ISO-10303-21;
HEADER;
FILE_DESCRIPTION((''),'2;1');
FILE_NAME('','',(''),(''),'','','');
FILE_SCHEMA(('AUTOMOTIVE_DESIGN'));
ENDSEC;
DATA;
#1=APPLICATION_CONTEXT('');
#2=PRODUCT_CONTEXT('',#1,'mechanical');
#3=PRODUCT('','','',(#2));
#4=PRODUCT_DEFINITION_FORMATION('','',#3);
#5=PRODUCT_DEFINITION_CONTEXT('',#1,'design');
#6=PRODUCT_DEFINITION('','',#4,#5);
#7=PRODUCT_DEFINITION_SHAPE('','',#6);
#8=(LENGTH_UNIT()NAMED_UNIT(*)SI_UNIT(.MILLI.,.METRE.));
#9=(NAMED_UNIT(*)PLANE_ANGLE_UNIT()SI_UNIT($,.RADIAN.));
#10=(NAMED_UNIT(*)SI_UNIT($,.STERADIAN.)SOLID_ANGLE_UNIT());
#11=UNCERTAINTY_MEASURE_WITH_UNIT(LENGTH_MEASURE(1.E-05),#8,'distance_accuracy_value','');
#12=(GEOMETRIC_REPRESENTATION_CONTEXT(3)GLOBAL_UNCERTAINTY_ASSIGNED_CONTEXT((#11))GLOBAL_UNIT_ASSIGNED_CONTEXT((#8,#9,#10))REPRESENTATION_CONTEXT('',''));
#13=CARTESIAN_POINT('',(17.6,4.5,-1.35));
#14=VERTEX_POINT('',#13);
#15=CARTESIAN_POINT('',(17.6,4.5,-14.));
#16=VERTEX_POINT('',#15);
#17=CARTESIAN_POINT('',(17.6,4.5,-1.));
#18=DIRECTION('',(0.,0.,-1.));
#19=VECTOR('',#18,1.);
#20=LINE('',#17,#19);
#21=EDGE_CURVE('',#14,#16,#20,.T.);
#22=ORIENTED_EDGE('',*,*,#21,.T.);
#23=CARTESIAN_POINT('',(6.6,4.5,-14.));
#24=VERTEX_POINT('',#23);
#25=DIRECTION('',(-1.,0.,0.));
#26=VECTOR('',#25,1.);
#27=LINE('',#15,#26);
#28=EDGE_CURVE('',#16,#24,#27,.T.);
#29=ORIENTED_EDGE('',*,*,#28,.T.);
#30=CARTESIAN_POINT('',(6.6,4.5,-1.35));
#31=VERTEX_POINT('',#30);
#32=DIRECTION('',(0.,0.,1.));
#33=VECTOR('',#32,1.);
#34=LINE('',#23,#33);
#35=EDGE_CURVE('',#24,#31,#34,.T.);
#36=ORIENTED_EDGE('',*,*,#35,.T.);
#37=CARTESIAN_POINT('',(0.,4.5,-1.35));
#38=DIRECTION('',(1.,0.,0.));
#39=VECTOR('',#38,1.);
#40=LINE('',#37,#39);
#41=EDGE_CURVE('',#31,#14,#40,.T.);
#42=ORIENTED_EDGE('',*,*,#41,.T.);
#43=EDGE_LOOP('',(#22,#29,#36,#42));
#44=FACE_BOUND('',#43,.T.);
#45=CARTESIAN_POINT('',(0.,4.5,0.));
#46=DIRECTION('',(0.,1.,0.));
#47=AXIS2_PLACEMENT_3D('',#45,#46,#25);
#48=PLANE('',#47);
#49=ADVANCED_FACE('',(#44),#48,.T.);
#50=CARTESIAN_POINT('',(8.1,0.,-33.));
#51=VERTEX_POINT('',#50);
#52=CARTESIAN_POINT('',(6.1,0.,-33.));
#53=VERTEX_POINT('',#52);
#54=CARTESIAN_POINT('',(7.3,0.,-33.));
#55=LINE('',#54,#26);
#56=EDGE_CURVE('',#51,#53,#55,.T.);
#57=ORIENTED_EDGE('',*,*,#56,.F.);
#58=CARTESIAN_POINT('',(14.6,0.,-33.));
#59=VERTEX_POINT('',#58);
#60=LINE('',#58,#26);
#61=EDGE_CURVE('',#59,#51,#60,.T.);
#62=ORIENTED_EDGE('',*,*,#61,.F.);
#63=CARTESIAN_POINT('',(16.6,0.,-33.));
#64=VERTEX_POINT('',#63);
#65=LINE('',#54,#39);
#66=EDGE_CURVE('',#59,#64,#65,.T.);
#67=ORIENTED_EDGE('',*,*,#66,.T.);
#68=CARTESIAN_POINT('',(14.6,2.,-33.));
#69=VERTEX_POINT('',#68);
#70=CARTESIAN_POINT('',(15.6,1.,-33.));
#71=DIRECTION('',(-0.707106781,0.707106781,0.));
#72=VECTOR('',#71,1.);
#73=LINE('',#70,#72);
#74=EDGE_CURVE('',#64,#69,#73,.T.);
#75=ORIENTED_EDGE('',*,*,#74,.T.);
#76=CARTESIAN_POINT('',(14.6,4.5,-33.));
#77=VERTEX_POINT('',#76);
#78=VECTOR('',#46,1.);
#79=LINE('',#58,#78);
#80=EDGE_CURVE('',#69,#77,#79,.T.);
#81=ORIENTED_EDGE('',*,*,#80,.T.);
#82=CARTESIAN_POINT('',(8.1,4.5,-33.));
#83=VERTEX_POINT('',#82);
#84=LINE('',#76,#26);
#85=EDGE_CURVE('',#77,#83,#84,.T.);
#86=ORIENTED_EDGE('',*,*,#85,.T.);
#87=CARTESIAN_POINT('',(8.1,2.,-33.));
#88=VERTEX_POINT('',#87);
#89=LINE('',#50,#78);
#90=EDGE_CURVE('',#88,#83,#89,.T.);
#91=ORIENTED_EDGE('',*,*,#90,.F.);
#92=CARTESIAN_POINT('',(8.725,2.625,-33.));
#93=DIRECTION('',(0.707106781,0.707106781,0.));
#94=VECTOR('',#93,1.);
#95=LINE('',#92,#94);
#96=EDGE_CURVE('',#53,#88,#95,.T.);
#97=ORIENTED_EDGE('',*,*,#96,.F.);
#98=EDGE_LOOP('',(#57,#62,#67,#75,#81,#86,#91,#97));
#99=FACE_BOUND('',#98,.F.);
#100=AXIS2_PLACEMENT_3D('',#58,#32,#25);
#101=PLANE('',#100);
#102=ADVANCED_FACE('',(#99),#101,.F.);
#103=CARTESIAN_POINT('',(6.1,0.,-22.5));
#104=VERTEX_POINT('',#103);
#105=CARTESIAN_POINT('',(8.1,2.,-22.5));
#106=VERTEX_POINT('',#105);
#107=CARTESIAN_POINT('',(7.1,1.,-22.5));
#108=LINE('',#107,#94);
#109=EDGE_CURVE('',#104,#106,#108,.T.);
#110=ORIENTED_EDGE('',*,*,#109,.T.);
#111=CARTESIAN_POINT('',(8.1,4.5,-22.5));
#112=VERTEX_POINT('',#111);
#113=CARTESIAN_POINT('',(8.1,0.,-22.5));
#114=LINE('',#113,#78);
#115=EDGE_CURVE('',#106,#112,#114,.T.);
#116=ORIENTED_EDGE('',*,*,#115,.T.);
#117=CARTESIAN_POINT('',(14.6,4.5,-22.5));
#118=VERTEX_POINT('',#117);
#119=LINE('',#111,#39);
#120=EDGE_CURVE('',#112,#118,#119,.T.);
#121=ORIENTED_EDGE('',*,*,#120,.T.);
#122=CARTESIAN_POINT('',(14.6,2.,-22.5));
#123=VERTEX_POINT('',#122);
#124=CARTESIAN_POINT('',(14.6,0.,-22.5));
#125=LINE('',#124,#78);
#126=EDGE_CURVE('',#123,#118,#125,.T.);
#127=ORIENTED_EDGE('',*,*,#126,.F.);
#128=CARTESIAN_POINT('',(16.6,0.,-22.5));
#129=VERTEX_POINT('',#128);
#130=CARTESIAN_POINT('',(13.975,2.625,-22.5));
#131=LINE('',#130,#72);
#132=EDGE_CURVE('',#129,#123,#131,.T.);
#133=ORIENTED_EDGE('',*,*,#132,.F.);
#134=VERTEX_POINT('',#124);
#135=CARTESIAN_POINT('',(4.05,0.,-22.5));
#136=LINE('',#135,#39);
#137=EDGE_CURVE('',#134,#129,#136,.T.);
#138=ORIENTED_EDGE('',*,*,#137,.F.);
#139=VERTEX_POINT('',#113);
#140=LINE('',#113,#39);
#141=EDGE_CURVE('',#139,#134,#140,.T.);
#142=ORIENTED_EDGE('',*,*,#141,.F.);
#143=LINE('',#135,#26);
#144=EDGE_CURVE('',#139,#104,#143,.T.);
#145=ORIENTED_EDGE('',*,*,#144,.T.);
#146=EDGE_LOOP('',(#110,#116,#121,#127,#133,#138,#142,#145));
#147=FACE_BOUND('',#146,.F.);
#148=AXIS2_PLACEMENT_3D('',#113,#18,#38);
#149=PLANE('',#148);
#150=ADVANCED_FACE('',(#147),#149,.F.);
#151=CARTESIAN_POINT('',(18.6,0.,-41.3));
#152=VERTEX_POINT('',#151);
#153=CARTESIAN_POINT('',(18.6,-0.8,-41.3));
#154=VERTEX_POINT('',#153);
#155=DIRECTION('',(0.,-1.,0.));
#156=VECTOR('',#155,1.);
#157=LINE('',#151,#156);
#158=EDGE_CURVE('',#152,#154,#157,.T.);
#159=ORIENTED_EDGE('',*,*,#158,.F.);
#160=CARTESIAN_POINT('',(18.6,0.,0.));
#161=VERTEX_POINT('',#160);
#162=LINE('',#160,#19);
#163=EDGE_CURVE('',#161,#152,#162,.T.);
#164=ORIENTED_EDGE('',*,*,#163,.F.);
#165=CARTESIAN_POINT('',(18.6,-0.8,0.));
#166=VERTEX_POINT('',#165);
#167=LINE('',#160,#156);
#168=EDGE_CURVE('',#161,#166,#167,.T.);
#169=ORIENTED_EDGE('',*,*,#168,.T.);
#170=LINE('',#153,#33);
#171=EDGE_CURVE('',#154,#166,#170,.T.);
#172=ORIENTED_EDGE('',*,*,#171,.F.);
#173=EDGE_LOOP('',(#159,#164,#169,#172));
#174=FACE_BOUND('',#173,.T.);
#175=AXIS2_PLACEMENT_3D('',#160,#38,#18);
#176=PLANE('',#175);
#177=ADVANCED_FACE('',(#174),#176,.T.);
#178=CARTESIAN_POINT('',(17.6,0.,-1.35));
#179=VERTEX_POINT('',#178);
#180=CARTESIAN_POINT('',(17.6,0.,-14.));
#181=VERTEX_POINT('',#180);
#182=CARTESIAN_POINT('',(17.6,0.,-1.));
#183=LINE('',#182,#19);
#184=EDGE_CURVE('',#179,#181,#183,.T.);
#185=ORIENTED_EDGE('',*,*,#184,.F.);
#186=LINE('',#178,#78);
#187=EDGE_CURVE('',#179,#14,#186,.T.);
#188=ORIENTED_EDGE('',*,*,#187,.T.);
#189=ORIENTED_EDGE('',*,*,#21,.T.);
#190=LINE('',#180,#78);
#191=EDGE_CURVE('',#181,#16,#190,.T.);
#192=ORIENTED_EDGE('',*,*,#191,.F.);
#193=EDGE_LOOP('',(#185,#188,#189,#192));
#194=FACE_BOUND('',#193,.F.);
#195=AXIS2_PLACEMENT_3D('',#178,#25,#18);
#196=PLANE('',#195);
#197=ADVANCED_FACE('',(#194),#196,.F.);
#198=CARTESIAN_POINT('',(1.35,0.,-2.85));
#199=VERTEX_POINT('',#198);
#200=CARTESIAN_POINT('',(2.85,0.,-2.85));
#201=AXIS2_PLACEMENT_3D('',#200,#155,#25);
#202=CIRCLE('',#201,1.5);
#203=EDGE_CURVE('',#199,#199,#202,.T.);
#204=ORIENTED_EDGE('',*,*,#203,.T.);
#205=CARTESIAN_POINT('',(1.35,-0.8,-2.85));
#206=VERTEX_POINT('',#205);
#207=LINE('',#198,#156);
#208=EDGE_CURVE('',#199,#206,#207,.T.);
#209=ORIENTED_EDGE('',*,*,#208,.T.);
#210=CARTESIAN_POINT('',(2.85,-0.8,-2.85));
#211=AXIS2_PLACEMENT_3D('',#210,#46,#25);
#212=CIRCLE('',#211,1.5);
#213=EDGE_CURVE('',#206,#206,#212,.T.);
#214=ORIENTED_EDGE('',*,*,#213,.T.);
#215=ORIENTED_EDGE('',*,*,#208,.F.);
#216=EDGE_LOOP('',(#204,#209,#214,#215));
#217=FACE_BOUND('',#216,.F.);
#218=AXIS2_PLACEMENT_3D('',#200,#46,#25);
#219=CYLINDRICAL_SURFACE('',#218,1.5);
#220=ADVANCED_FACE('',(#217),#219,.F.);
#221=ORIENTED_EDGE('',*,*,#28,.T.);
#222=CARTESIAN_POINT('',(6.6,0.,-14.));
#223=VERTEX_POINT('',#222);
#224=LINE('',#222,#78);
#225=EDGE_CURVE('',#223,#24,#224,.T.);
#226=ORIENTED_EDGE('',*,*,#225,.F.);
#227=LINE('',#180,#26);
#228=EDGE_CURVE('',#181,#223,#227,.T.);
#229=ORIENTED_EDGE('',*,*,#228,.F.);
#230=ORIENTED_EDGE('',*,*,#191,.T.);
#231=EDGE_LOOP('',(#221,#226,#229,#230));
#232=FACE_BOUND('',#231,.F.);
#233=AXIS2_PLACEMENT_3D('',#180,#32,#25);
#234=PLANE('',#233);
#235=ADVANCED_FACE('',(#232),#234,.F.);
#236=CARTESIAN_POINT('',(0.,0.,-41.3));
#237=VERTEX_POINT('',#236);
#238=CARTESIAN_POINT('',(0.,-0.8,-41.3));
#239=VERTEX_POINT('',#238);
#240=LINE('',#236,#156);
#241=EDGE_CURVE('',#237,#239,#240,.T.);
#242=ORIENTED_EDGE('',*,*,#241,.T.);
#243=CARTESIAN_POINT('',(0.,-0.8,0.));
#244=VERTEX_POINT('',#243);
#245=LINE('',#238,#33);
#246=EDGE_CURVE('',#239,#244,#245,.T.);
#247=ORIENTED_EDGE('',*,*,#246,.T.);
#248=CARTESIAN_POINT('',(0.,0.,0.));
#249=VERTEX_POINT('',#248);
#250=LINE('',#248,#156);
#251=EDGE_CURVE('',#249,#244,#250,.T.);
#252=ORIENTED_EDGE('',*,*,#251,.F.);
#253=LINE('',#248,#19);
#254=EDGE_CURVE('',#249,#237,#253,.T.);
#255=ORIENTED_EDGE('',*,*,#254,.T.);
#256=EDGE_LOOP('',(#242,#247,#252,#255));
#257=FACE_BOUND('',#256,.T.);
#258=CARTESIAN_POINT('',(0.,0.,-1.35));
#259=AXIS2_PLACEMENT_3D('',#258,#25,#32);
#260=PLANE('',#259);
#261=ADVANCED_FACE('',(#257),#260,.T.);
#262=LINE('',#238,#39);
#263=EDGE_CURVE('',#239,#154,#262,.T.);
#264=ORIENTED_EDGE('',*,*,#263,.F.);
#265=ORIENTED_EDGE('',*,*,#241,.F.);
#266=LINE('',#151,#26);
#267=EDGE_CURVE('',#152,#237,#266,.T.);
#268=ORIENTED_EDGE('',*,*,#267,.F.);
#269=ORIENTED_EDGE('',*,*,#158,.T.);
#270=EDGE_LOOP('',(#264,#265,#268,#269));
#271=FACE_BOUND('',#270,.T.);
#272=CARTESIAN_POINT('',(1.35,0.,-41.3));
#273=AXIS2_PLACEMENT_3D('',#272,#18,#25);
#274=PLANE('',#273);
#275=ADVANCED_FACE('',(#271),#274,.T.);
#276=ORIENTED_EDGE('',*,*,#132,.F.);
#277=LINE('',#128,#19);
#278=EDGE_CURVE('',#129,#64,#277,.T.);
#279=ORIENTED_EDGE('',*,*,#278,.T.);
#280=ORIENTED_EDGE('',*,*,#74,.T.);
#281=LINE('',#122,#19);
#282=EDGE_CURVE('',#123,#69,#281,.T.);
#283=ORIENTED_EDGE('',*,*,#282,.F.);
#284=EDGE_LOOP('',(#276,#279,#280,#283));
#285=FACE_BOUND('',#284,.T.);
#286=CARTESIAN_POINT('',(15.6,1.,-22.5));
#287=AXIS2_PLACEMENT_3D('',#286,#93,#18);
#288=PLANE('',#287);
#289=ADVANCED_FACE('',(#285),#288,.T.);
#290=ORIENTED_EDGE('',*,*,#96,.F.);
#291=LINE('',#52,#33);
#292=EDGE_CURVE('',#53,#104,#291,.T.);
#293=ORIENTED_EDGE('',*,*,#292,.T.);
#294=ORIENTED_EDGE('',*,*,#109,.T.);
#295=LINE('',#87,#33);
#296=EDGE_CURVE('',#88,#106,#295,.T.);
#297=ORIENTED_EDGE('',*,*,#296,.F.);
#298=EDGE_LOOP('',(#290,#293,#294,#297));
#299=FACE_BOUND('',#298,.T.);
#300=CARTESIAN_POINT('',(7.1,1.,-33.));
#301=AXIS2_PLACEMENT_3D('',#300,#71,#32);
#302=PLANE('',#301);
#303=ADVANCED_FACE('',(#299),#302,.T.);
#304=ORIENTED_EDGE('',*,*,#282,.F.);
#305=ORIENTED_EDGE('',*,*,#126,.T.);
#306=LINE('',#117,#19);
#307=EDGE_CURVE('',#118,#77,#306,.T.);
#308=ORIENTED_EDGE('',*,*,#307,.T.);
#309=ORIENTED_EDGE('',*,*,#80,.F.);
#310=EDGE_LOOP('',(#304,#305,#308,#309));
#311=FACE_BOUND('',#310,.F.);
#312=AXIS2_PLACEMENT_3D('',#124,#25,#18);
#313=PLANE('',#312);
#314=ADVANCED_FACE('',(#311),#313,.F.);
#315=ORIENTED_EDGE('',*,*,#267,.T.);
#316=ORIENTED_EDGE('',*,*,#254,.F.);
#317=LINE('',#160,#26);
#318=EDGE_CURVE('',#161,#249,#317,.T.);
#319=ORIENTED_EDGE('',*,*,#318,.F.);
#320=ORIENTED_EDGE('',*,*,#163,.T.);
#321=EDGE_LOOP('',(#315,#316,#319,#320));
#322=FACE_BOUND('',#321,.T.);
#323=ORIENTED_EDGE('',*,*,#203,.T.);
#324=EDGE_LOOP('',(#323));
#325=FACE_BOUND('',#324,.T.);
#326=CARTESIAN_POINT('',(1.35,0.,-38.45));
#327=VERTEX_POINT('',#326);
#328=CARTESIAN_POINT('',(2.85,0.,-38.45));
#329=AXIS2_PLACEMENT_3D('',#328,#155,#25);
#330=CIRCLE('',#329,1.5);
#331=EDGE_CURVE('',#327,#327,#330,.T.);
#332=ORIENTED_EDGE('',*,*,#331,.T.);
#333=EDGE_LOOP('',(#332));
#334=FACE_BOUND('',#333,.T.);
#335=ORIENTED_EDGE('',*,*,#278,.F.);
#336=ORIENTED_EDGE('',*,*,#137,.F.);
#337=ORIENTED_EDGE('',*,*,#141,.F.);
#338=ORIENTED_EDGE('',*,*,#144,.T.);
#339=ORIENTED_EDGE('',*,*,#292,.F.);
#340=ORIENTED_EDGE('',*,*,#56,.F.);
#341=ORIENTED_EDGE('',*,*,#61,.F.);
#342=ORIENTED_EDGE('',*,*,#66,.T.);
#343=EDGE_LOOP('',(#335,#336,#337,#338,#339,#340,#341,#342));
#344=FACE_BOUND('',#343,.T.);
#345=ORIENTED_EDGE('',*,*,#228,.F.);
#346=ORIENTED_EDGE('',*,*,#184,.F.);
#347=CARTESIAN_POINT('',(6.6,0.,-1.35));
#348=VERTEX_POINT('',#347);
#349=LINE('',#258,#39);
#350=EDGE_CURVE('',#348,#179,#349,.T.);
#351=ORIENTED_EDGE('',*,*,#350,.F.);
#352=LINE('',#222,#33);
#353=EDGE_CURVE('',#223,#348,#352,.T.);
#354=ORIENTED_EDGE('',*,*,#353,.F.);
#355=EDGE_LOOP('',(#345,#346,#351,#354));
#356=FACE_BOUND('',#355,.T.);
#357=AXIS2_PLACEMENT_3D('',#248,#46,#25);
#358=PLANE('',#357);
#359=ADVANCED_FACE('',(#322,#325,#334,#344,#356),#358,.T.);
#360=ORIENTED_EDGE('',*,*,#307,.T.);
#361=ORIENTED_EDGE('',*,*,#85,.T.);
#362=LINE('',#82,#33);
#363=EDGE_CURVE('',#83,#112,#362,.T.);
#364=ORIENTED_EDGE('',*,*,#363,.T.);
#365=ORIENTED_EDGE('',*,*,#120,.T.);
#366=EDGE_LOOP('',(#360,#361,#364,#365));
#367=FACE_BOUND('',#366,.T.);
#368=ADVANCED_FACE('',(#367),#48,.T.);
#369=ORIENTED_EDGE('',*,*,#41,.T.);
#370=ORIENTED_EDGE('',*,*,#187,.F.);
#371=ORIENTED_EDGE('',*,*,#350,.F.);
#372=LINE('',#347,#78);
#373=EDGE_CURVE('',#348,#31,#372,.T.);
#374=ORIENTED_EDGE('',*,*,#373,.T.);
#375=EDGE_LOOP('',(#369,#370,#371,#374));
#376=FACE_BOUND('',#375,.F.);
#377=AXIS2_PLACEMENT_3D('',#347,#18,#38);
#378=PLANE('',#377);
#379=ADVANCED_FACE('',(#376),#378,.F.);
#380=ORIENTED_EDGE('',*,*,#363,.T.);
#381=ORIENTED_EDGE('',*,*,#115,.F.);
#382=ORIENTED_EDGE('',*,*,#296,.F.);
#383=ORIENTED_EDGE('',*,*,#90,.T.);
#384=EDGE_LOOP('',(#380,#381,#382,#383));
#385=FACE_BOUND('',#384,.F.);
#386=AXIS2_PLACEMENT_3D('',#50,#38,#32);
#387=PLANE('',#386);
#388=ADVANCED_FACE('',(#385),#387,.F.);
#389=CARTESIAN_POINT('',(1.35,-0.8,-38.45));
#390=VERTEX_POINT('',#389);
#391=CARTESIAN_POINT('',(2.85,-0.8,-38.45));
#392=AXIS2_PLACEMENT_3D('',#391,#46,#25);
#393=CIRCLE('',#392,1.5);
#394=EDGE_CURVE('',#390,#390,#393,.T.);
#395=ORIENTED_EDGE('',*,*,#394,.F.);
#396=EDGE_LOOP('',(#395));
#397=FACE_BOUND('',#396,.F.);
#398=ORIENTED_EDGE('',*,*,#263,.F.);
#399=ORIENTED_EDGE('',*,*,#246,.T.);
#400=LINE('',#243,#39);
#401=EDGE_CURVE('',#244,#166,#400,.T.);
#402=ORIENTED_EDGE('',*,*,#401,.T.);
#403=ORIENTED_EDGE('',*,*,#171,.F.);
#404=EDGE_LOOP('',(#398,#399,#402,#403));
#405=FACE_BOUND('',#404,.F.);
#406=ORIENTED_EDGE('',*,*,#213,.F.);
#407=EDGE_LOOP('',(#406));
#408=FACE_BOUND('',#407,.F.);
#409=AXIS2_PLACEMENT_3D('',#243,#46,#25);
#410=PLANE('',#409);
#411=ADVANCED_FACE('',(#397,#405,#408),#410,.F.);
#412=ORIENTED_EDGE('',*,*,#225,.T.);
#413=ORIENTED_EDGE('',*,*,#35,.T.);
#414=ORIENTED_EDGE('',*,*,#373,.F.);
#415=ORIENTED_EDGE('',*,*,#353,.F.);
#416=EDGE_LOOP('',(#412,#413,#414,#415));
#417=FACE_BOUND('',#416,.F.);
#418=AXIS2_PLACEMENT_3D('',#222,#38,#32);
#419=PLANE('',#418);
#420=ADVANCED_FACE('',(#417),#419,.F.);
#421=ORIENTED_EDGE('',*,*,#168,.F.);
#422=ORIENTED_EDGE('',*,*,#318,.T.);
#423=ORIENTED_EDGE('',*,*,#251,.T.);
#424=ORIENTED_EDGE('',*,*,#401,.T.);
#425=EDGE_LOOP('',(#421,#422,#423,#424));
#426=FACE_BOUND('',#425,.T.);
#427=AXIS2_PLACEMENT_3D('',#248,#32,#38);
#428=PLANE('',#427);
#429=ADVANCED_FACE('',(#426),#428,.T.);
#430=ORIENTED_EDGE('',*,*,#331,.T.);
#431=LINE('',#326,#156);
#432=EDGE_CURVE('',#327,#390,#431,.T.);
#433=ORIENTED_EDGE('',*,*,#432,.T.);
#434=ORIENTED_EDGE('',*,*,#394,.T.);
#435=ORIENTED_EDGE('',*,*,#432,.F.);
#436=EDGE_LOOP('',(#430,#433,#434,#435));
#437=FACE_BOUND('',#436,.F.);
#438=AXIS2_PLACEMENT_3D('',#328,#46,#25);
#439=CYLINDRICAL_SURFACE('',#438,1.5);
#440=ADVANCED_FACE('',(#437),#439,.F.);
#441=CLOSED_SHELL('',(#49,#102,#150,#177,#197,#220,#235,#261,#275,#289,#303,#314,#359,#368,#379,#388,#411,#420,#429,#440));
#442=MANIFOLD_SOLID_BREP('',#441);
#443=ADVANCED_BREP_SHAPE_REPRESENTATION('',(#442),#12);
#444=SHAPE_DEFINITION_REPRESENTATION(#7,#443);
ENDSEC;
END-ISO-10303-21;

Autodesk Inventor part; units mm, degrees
ref_plane "YZ Plane" through (0, 0, 0) normal (1, 0, 0) x (0, 1, 0)
ref_plane "XZ Plane" through (0, 0, 0) normal (0, 1, 0) x (-1, 0, 0)
ref_plane "XY Plane" through (0, 0, 0) normal (0, 0, 1) x (1, 0, 0)
sketch "Sketch1" plane through (0, 0, 0) normal (0, 1, 0) x (-1, 0, 0)
  line L0 (0, 0) -> (-18.6, 0)
  line L1 (-18.6, 0) -> (-18.6, -41.3)
  line L2 (-18.6, -41.3) -> (0, -41.3)
  line L3 (0, -41.3) -> (0, 0)
  line L4 (-1.35, 0) -> (-1.35, -41.3)
  line L5 (0, -1.35) -> (-18.6, -1.35)
  line L6 (0, -39.95) -> (-18.6, -39.95)
  circle A0 centre (-2.85, -2.85) radius 1.5
  circle A1 centre (-2.85, -38.45) radius 1.5
  line L7 (-8.1, -22.5) -> (-14.6, -22.5)
  line L8 (-14.6, -22.5) -> (-14.6, -33)
  line L9 (-14.6, -33) -> (-8.1, -33)
  line L10 (-8.1, -33) -> (-8.1, -22.5)
  line L11 (-6.6, -1) -> (-17.6, -1)
  line L12 (-17.6, -1) -> (-17.6, -14)
  line L13 (-17.6, -14) -> (-6.6, -14)
  line L14 (-6.6, -14) -> (-6.6, -1)
  point P0 (-6.6, -1.35)
  point P1 (-17.6, -1.35)
  dimension "d0" = 18.6
  dimension "d1" = 41.3
  dimension "d2" = 1.35
  dimension "d3" = 1.35
  dimension "d4" = 1.35
  dimension "d5" = 3
  dimension "d6" = 3
  dimension "d7" = 6.5
  dimension "d8" = 10.5
  dimension "d11" = 8.1
  dimension "d12" = 8.3
  dimension "d13" = 11
  dimension "d14" = 13
  dimension "d16" = 1
  dimension "d17" = 1
extrude "Extrusion1" add sketch "Sketch1" against normal blind 0.8 contours L3 L5 L4 L0 | L4 L5 L14 L11 L12 L1 L0 | L3 L6 L4 L5 | L4 A0 L5 | L3 L2 L4 L6 | L5 L12 L13 L14 A0 L4 A1 L6 L1 | L6 A1 L4 | L4 L2 L1 L6 | L12 L11 L14 L5 | L5 L14 L13 L12 | L10 L9 L8 L7
extrude "Extrusion2" add sketch "Sketch1" along normal blind 4.5 contours L5 L14 L13 L12
extrude "Extrusion3" add sketch "Sketch1" along normal blind 4.5 contours L10 L9 L8 L7
chamfer "Chamfer1" distance 2 angle 45 2 edges at (8.1, 0, -27.75) (14.6, 0, -27.75)
properties part number "interface_board"
